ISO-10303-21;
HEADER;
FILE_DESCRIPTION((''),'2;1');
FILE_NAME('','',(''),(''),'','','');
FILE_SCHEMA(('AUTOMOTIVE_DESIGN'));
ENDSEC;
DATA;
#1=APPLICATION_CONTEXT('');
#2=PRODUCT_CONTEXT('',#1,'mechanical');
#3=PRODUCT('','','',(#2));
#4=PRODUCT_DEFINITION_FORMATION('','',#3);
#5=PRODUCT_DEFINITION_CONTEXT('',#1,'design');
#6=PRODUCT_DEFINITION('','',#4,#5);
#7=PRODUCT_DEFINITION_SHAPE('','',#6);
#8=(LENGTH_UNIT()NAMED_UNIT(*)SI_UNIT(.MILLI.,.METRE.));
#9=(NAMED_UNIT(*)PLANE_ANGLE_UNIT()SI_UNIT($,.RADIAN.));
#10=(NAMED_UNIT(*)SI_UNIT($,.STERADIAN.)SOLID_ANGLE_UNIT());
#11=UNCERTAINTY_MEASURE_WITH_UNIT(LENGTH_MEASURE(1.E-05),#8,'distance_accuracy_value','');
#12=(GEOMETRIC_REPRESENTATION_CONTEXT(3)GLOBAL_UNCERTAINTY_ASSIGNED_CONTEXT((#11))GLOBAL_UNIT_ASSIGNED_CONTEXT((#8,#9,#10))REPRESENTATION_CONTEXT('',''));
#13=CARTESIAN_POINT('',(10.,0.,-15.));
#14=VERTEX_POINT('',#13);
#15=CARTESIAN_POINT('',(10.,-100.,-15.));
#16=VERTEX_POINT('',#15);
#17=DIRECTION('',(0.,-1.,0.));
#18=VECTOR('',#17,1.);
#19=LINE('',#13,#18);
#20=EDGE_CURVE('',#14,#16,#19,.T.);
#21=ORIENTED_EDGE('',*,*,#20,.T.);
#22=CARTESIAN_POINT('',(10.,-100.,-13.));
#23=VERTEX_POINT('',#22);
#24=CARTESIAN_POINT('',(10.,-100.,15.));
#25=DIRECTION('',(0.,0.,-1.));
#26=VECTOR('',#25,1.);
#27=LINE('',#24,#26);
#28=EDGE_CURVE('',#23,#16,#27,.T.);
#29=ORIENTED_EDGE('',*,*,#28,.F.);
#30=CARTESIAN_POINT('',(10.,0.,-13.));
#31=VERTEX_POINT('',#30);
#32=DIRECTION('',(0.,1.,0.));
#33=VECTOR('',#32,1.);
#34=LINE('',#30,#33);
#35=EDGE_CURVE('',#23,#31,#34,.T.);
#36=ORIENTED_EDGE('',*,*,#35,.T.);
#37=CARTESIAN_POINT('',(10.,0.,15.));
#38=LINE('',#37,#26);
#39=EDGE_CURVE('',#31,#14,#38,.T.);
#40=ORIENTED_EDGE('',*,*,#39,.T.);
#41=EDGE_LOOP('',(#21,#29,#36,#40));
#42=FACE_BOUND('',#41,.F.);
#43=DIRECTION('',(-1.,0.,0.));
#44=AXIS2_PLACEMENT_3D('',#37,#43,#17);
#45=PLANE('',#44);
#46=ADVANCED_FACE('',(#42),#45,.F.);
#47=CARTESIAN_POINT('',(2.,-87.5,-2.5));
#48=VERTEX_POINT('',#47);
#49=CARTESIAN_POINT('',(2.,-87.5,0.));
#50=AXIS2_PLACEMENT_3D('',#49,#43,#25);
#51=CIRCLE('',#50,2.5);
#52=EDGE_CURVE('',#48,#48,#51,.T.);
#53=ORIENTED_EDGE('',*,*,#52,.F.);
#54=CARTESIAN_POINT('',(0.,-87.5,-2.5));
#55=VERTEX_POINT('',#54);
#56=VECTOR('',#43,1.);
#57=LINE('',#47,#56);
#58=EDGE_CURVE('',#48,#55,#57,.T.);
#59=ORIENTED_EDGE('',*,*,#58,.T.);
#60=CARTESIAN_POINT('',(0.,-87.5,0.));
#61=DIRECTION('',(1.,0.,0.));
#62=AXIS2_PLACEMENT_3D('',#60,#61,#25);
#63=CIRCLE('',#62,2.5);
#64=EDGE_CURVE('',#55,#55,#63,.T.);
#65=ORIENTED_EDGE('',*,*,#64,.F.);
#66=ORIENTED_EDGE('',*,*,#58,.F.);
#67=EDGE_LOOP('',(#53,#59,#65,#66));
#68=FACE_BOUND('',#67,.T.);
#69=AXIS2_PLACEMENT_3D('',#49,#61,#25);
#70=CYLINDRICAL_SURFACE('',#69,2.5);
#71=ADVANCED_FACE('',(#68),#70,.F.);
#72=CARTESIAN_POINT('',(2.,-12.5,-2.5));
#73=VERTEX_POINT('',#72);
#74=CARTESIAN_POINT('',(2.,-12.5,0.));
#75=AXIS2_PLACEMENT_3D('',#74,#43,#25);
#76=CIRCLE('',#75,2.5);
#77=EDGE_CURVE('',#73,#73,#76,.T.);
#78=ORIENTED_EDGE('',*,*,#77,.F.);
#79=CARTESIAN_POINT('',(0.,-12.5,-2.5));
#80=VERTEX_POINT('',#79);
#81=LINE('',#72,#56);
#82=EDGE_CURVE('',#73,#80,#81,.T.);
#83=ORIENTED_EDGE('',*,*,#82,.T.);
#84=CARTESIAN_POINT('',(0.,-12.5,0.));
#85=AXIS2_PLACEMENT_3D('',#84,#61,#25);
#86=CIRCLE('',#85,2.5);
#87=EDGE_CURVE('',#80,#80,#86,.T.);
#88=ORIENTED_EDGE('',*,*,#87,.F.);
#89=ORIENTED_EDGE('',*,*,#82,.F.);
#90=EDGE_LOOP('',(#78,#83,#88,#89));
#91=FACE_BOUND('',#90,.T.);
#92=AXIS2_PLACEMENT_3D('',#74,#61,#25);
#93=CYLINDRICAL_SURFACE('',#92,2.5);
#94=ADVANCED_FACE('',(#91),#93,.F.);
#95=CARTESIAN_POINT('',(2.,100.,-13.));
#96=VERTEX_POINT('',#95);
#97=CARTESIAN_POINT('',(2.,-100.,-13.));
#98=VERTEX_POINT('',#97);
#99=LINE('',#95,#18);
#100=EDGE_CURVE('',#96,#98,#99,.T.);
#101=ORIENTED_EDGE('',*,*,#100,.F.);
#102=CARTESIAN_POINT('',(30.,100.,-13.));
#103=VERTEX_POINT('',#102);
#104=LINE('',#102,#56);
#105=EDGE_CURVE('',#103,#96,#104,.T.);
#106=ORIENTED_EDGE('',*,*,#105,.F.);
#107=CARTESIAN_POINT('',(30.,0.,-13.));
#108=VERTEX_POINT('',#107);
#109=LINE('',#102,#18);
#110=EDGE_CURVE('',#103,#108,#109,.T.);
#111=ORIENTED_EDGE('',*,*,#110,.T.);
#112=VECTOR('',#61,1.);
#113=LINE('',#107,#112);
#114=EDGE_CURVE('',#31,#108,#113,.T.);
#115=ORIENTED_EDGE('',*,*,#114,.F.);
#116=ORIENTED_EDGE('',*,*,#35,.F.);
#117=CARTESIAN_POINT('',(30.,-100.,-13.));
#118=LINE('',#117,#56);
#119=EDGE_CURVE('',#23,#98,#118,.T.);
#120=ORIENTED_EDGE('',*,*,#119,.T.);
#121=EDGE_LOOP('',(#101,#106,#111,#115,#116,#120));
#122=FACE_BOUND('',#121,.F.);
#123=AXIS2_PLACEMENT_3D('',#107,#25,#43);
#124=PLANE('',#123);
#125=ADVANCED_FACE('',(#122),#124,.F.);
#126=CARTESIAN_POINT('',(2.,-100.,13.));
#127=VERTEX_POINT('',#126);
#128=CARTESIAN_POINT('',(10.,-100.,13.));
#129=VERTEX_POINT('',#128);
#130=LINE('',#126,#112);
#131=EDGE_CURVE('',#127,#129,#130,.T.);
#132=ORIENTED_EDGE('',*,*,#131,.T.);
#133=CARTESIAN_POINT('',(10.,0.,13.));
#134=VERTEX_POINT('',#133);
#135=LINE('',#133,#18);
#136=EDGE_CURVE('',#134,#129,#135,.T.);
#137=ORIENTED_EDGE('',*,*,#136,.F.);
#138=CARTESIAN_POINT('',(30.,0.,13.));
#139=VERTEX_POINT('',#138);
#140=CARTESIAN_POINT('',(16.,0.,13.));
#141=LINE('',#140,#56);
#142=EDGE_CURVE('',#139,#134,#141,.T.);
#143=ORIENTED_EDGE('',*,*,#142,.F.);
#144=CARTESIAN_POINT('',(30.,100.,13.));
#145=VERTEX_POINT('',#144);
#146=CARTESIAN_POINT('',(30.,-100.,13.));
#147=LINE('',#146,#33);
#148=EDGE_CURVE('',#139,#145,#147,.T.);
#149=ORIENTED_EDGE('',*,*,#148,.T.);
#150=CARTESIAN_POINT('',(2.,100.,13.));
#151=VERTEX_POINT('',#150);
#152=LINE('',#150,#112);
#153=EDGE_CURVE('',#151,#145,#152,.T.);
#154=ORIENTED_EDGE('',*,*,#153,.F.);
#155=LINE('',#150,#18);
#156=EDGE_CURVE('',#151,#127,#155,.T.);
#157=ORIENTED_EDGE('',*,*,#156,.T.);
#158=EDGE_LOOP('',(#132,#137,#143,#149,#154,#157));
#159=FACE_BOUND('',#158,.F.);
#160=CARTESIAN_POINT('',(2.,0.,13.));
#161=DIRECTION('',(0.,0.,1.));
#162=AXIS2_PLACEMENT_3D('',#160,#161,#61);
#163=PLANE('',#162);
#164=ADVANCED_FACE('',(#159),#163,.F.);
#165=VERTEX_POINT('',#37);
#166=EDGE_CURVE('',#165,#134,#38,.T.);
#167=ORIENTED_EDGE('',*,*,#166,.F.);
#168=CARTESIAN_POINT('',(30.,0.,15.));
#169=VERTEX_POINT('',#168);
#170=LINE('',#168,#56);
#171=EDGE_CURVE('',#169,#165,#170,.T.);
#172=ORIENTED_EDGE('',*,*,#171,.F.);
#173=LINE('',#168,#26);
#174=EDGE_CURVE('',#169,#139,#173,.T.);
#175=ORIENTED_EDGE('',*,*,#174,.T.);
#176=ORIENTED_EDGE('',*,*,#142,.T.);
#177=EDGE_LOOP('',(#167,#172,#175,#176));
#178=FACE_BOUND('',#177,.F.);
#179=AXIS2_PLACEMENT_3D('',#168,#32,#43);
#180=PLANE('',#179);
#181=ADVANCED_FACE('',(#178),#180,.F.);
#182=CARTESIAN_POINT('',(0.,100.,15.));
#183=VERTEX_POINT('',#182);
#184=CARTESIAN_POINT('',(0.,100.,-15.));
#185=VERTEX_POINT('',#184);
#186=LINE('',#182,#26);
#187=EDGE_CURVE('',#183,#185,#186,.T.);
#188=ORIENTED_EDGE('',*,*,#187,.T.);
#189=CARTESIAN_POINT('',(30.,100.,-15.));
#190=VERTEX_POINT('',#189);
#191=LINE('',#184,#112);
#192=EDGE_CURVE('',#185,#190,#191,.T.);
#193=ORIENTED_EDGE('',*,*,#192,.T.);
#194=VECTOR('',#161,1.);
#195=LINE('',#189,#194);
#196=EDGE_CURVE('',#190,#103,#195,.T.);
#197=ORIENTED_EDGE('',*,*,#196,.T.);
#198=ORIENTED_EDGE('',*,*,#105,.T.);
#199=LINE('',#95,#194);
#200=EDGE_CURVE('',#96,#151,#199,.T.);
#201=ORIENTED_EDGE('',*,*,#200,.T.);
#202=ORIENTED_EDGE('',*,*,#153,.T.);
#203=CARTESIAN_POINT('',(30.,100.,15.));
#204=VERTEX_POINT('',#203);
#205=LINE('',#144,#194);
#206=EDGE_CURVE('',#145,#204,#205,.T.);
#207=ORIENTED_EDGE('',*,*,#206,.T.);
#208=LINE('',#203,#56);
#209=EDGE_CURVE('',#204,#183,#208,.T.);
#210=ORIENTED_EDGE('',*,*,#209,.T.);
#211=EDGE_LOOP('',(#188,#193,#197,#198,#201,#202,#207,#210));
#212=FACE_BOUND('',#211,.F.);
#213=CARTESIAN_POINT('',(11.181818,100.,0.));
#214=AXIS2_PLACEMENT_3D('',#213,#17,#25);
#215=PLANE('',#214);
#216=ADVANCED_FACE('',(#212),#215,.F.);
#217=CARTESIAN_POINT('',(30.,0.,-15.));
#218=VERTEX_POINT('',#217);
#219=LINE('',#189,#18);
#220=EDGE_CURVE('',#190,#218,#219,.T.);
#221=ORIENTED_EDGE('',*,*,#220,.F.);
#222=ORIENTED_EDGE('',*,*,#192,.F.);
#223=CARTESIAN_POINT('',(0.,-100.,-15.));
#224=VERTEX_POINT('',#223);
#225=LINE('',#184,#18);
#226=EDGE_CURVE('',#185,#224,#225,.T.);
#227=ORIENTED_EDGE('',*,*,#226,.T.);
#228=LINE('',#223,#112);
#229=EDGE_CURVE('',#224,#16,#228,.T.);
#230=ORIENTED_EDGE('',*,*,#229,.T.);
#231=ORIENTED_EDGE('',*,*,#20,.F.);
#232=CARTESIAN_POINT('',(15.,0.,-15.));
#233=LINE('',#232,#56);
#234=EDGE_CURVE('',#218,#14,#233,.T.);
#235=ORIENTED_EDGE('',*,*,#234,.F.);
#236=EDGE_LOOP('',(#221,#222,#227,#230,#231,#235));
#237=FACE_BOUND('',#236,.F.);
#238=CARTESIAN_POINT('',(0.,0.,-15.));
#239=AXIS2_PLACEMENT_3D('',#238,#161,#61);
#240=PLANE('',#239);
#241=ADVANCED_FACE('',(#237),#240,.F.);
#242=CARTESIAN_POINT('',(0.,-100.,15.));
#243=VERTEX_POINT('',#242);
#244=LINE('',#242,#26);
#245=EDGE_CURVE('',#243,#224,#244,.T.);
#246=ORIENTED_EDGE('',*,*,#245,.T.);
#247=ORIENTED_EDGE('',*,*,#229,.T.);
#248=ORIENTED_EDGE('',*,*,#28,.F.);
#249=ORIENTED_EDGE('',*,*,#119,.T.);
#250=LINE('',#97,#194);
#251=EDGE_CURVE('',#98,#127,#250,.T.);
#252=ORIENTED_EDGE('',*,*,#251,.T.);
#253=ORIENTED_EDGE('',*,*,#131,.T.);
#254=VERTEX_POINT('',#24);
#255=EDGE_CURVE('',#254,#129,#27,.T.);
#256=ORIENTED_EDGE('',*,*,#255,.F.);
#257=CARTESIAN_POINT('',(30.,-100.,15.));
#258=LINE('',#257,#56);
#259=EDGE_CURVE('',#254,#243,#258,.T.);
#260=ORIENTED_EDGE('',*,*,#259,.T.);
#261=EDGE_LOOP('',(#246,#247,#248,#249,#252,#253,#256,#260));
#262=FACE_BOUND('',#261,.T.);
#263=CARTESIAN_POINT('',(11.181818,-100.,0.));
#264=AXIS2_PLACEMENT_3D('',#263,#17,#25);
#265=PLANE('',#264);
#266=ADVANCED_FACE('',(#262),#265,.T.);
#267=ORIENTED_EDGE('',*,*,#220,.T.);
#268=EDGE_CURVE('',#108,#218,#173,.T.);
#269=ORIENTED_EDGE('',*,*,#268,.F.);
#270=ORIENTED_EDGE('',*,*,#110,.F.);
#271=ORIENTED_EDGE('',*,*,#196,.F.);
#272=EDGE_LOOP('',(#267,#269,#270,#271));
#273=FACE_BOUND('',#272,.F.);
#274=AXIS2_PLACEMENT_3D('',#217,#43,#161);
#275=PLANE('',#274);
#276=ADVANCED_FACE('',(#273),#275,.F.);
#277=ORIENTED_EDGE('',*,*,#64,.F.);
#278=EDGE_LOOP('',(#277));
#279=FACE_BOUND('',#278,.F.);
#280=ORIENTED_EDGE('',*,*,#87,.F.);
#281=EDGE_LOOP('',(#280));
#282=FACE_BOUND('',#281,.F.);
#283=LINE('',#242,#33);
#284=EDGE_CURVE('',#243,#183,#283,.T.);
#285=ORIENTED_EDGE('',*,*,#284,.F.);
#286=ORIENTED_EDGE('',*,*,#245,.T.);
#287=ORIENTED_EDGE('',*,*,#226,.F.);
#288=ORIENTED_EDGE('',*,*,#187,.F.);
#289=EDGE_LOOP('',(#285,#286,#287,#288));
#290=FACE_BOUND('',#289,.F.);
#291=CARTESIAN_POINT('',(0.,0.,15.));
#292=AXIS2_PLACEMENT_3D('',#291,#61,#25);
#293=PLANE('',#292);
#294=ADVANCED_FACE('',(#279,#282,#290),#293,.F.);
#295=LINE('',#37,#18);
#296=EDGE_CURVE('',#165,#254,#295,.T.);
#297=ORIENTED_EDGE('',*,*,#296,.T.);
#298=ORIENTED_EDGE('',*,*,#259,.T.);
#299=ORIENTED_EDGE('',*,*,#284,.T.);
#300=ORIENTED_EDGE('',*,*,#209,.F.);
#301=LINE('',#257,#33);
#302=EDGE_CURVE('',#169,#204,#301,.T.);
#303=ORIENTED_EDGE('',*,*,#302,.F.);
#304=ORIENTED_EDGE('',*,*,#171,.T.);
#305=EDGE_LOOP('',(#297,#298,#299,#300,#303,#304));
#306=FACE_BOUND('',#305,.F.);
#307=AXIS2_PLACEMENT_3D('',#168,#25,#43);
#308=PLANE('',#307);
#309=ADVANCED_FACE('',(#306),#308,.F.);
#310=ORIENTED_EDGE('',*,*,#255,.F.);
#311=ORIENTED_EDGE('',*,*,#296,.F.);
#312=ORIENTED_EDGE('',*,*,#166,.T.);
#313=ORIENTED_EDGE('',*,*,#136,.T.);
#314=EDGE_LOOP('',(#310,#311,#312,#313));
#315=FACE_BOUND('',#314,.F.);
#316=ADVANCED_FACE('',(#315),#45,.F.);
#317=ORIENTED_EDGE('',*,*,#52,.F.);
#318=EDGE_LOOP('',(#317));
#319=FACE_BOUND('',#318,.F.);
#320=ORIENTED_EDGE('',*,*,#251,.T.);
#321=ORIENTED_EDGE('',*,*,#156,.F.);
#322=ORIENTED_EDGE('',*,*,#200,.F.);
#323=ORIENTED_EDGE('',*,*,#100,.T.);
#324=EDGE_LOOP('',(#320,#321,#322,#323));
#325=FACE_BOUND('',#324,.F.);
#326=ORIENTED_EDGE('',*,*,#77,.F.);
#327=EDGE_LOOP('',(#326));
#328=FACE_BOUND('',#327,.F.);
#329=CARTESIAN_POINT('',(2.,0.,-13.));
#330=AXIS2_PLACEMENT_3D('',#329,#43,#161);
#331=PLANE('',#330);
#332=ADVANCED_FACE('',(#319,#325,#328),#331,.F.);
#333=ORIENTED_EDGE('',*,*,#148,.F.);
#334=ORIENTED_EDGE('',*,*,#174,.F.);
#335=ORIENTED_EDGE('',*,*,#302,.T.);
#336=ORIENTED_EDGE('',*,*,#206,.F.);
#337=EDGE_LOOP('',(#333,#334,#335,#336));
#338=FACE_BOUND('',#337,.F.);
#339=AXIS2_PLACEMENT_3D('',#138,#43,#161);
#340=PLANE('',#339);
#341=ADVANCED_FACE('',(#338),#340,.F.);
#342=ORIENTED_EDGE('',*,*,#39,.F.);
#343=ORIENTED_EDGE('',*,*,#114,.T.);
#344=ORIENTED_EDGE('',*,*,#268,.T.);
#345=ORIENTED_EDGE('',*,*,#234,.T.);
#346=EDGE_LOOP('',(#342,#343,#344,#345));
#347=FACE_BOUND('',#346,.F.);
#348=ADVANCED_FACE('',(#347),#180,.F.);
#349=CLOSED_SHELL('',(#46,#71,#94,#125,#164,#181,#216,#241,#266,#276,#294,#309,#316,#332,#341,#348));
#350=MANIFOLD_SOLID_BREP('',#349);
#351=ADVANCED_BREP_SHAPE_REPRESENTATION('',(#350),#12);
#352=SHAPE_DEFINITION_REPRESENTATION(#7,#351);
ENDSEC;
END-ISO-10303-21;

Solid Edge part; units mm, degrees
sketch "Sketch1" plane through (0, 0, 0) normal (0, -1, 0) x (1, 0, 0)
  line L0 (0, 15) -> (0, -15)
  line L1 (0, -15) -> (30, -15)
  line L2 (30, -15) -> (30, -13)
  line L3 (30, -13) -> (2, -13)
  line L4 (2, -13) -> (2, 13)
  line L5 (2, 13) -> (30, 13)
  line L6 (30, 13) -> (30, 15)
  line L7 (30, 15) -> (0, 15)
  dimension "D1" = 2
  dimension "D2" = 30
  dimension "D3" = 28
extrude "Protrusion1" add sketch "Sketch1" along normal mid plane 200
sketch "Sketch2" plane through (15, 0, 15) normal (0, 0, 1) x (0, -1, 0)
  line L0 (0, 15) -> (0, -5)
  line L1 (0, -5) -> (100, -5)
  line L2 (100, -5) -> (100, 15)
  line L3 (100, 15) -> (0, 15)
  dimension "D1" = 20
extrude "Cutout1" cut sketch "Sketch2" against normal through all
hole "Hole_1" at (2, -87.5, 0) direction (-1, 0, 0) diameter 5 end up to next
hole "Hole1" at (2, -12.5, 0) direction (-1, 0, 0) diameter 5 end up to next
properties material "Aluminum, 1060"
